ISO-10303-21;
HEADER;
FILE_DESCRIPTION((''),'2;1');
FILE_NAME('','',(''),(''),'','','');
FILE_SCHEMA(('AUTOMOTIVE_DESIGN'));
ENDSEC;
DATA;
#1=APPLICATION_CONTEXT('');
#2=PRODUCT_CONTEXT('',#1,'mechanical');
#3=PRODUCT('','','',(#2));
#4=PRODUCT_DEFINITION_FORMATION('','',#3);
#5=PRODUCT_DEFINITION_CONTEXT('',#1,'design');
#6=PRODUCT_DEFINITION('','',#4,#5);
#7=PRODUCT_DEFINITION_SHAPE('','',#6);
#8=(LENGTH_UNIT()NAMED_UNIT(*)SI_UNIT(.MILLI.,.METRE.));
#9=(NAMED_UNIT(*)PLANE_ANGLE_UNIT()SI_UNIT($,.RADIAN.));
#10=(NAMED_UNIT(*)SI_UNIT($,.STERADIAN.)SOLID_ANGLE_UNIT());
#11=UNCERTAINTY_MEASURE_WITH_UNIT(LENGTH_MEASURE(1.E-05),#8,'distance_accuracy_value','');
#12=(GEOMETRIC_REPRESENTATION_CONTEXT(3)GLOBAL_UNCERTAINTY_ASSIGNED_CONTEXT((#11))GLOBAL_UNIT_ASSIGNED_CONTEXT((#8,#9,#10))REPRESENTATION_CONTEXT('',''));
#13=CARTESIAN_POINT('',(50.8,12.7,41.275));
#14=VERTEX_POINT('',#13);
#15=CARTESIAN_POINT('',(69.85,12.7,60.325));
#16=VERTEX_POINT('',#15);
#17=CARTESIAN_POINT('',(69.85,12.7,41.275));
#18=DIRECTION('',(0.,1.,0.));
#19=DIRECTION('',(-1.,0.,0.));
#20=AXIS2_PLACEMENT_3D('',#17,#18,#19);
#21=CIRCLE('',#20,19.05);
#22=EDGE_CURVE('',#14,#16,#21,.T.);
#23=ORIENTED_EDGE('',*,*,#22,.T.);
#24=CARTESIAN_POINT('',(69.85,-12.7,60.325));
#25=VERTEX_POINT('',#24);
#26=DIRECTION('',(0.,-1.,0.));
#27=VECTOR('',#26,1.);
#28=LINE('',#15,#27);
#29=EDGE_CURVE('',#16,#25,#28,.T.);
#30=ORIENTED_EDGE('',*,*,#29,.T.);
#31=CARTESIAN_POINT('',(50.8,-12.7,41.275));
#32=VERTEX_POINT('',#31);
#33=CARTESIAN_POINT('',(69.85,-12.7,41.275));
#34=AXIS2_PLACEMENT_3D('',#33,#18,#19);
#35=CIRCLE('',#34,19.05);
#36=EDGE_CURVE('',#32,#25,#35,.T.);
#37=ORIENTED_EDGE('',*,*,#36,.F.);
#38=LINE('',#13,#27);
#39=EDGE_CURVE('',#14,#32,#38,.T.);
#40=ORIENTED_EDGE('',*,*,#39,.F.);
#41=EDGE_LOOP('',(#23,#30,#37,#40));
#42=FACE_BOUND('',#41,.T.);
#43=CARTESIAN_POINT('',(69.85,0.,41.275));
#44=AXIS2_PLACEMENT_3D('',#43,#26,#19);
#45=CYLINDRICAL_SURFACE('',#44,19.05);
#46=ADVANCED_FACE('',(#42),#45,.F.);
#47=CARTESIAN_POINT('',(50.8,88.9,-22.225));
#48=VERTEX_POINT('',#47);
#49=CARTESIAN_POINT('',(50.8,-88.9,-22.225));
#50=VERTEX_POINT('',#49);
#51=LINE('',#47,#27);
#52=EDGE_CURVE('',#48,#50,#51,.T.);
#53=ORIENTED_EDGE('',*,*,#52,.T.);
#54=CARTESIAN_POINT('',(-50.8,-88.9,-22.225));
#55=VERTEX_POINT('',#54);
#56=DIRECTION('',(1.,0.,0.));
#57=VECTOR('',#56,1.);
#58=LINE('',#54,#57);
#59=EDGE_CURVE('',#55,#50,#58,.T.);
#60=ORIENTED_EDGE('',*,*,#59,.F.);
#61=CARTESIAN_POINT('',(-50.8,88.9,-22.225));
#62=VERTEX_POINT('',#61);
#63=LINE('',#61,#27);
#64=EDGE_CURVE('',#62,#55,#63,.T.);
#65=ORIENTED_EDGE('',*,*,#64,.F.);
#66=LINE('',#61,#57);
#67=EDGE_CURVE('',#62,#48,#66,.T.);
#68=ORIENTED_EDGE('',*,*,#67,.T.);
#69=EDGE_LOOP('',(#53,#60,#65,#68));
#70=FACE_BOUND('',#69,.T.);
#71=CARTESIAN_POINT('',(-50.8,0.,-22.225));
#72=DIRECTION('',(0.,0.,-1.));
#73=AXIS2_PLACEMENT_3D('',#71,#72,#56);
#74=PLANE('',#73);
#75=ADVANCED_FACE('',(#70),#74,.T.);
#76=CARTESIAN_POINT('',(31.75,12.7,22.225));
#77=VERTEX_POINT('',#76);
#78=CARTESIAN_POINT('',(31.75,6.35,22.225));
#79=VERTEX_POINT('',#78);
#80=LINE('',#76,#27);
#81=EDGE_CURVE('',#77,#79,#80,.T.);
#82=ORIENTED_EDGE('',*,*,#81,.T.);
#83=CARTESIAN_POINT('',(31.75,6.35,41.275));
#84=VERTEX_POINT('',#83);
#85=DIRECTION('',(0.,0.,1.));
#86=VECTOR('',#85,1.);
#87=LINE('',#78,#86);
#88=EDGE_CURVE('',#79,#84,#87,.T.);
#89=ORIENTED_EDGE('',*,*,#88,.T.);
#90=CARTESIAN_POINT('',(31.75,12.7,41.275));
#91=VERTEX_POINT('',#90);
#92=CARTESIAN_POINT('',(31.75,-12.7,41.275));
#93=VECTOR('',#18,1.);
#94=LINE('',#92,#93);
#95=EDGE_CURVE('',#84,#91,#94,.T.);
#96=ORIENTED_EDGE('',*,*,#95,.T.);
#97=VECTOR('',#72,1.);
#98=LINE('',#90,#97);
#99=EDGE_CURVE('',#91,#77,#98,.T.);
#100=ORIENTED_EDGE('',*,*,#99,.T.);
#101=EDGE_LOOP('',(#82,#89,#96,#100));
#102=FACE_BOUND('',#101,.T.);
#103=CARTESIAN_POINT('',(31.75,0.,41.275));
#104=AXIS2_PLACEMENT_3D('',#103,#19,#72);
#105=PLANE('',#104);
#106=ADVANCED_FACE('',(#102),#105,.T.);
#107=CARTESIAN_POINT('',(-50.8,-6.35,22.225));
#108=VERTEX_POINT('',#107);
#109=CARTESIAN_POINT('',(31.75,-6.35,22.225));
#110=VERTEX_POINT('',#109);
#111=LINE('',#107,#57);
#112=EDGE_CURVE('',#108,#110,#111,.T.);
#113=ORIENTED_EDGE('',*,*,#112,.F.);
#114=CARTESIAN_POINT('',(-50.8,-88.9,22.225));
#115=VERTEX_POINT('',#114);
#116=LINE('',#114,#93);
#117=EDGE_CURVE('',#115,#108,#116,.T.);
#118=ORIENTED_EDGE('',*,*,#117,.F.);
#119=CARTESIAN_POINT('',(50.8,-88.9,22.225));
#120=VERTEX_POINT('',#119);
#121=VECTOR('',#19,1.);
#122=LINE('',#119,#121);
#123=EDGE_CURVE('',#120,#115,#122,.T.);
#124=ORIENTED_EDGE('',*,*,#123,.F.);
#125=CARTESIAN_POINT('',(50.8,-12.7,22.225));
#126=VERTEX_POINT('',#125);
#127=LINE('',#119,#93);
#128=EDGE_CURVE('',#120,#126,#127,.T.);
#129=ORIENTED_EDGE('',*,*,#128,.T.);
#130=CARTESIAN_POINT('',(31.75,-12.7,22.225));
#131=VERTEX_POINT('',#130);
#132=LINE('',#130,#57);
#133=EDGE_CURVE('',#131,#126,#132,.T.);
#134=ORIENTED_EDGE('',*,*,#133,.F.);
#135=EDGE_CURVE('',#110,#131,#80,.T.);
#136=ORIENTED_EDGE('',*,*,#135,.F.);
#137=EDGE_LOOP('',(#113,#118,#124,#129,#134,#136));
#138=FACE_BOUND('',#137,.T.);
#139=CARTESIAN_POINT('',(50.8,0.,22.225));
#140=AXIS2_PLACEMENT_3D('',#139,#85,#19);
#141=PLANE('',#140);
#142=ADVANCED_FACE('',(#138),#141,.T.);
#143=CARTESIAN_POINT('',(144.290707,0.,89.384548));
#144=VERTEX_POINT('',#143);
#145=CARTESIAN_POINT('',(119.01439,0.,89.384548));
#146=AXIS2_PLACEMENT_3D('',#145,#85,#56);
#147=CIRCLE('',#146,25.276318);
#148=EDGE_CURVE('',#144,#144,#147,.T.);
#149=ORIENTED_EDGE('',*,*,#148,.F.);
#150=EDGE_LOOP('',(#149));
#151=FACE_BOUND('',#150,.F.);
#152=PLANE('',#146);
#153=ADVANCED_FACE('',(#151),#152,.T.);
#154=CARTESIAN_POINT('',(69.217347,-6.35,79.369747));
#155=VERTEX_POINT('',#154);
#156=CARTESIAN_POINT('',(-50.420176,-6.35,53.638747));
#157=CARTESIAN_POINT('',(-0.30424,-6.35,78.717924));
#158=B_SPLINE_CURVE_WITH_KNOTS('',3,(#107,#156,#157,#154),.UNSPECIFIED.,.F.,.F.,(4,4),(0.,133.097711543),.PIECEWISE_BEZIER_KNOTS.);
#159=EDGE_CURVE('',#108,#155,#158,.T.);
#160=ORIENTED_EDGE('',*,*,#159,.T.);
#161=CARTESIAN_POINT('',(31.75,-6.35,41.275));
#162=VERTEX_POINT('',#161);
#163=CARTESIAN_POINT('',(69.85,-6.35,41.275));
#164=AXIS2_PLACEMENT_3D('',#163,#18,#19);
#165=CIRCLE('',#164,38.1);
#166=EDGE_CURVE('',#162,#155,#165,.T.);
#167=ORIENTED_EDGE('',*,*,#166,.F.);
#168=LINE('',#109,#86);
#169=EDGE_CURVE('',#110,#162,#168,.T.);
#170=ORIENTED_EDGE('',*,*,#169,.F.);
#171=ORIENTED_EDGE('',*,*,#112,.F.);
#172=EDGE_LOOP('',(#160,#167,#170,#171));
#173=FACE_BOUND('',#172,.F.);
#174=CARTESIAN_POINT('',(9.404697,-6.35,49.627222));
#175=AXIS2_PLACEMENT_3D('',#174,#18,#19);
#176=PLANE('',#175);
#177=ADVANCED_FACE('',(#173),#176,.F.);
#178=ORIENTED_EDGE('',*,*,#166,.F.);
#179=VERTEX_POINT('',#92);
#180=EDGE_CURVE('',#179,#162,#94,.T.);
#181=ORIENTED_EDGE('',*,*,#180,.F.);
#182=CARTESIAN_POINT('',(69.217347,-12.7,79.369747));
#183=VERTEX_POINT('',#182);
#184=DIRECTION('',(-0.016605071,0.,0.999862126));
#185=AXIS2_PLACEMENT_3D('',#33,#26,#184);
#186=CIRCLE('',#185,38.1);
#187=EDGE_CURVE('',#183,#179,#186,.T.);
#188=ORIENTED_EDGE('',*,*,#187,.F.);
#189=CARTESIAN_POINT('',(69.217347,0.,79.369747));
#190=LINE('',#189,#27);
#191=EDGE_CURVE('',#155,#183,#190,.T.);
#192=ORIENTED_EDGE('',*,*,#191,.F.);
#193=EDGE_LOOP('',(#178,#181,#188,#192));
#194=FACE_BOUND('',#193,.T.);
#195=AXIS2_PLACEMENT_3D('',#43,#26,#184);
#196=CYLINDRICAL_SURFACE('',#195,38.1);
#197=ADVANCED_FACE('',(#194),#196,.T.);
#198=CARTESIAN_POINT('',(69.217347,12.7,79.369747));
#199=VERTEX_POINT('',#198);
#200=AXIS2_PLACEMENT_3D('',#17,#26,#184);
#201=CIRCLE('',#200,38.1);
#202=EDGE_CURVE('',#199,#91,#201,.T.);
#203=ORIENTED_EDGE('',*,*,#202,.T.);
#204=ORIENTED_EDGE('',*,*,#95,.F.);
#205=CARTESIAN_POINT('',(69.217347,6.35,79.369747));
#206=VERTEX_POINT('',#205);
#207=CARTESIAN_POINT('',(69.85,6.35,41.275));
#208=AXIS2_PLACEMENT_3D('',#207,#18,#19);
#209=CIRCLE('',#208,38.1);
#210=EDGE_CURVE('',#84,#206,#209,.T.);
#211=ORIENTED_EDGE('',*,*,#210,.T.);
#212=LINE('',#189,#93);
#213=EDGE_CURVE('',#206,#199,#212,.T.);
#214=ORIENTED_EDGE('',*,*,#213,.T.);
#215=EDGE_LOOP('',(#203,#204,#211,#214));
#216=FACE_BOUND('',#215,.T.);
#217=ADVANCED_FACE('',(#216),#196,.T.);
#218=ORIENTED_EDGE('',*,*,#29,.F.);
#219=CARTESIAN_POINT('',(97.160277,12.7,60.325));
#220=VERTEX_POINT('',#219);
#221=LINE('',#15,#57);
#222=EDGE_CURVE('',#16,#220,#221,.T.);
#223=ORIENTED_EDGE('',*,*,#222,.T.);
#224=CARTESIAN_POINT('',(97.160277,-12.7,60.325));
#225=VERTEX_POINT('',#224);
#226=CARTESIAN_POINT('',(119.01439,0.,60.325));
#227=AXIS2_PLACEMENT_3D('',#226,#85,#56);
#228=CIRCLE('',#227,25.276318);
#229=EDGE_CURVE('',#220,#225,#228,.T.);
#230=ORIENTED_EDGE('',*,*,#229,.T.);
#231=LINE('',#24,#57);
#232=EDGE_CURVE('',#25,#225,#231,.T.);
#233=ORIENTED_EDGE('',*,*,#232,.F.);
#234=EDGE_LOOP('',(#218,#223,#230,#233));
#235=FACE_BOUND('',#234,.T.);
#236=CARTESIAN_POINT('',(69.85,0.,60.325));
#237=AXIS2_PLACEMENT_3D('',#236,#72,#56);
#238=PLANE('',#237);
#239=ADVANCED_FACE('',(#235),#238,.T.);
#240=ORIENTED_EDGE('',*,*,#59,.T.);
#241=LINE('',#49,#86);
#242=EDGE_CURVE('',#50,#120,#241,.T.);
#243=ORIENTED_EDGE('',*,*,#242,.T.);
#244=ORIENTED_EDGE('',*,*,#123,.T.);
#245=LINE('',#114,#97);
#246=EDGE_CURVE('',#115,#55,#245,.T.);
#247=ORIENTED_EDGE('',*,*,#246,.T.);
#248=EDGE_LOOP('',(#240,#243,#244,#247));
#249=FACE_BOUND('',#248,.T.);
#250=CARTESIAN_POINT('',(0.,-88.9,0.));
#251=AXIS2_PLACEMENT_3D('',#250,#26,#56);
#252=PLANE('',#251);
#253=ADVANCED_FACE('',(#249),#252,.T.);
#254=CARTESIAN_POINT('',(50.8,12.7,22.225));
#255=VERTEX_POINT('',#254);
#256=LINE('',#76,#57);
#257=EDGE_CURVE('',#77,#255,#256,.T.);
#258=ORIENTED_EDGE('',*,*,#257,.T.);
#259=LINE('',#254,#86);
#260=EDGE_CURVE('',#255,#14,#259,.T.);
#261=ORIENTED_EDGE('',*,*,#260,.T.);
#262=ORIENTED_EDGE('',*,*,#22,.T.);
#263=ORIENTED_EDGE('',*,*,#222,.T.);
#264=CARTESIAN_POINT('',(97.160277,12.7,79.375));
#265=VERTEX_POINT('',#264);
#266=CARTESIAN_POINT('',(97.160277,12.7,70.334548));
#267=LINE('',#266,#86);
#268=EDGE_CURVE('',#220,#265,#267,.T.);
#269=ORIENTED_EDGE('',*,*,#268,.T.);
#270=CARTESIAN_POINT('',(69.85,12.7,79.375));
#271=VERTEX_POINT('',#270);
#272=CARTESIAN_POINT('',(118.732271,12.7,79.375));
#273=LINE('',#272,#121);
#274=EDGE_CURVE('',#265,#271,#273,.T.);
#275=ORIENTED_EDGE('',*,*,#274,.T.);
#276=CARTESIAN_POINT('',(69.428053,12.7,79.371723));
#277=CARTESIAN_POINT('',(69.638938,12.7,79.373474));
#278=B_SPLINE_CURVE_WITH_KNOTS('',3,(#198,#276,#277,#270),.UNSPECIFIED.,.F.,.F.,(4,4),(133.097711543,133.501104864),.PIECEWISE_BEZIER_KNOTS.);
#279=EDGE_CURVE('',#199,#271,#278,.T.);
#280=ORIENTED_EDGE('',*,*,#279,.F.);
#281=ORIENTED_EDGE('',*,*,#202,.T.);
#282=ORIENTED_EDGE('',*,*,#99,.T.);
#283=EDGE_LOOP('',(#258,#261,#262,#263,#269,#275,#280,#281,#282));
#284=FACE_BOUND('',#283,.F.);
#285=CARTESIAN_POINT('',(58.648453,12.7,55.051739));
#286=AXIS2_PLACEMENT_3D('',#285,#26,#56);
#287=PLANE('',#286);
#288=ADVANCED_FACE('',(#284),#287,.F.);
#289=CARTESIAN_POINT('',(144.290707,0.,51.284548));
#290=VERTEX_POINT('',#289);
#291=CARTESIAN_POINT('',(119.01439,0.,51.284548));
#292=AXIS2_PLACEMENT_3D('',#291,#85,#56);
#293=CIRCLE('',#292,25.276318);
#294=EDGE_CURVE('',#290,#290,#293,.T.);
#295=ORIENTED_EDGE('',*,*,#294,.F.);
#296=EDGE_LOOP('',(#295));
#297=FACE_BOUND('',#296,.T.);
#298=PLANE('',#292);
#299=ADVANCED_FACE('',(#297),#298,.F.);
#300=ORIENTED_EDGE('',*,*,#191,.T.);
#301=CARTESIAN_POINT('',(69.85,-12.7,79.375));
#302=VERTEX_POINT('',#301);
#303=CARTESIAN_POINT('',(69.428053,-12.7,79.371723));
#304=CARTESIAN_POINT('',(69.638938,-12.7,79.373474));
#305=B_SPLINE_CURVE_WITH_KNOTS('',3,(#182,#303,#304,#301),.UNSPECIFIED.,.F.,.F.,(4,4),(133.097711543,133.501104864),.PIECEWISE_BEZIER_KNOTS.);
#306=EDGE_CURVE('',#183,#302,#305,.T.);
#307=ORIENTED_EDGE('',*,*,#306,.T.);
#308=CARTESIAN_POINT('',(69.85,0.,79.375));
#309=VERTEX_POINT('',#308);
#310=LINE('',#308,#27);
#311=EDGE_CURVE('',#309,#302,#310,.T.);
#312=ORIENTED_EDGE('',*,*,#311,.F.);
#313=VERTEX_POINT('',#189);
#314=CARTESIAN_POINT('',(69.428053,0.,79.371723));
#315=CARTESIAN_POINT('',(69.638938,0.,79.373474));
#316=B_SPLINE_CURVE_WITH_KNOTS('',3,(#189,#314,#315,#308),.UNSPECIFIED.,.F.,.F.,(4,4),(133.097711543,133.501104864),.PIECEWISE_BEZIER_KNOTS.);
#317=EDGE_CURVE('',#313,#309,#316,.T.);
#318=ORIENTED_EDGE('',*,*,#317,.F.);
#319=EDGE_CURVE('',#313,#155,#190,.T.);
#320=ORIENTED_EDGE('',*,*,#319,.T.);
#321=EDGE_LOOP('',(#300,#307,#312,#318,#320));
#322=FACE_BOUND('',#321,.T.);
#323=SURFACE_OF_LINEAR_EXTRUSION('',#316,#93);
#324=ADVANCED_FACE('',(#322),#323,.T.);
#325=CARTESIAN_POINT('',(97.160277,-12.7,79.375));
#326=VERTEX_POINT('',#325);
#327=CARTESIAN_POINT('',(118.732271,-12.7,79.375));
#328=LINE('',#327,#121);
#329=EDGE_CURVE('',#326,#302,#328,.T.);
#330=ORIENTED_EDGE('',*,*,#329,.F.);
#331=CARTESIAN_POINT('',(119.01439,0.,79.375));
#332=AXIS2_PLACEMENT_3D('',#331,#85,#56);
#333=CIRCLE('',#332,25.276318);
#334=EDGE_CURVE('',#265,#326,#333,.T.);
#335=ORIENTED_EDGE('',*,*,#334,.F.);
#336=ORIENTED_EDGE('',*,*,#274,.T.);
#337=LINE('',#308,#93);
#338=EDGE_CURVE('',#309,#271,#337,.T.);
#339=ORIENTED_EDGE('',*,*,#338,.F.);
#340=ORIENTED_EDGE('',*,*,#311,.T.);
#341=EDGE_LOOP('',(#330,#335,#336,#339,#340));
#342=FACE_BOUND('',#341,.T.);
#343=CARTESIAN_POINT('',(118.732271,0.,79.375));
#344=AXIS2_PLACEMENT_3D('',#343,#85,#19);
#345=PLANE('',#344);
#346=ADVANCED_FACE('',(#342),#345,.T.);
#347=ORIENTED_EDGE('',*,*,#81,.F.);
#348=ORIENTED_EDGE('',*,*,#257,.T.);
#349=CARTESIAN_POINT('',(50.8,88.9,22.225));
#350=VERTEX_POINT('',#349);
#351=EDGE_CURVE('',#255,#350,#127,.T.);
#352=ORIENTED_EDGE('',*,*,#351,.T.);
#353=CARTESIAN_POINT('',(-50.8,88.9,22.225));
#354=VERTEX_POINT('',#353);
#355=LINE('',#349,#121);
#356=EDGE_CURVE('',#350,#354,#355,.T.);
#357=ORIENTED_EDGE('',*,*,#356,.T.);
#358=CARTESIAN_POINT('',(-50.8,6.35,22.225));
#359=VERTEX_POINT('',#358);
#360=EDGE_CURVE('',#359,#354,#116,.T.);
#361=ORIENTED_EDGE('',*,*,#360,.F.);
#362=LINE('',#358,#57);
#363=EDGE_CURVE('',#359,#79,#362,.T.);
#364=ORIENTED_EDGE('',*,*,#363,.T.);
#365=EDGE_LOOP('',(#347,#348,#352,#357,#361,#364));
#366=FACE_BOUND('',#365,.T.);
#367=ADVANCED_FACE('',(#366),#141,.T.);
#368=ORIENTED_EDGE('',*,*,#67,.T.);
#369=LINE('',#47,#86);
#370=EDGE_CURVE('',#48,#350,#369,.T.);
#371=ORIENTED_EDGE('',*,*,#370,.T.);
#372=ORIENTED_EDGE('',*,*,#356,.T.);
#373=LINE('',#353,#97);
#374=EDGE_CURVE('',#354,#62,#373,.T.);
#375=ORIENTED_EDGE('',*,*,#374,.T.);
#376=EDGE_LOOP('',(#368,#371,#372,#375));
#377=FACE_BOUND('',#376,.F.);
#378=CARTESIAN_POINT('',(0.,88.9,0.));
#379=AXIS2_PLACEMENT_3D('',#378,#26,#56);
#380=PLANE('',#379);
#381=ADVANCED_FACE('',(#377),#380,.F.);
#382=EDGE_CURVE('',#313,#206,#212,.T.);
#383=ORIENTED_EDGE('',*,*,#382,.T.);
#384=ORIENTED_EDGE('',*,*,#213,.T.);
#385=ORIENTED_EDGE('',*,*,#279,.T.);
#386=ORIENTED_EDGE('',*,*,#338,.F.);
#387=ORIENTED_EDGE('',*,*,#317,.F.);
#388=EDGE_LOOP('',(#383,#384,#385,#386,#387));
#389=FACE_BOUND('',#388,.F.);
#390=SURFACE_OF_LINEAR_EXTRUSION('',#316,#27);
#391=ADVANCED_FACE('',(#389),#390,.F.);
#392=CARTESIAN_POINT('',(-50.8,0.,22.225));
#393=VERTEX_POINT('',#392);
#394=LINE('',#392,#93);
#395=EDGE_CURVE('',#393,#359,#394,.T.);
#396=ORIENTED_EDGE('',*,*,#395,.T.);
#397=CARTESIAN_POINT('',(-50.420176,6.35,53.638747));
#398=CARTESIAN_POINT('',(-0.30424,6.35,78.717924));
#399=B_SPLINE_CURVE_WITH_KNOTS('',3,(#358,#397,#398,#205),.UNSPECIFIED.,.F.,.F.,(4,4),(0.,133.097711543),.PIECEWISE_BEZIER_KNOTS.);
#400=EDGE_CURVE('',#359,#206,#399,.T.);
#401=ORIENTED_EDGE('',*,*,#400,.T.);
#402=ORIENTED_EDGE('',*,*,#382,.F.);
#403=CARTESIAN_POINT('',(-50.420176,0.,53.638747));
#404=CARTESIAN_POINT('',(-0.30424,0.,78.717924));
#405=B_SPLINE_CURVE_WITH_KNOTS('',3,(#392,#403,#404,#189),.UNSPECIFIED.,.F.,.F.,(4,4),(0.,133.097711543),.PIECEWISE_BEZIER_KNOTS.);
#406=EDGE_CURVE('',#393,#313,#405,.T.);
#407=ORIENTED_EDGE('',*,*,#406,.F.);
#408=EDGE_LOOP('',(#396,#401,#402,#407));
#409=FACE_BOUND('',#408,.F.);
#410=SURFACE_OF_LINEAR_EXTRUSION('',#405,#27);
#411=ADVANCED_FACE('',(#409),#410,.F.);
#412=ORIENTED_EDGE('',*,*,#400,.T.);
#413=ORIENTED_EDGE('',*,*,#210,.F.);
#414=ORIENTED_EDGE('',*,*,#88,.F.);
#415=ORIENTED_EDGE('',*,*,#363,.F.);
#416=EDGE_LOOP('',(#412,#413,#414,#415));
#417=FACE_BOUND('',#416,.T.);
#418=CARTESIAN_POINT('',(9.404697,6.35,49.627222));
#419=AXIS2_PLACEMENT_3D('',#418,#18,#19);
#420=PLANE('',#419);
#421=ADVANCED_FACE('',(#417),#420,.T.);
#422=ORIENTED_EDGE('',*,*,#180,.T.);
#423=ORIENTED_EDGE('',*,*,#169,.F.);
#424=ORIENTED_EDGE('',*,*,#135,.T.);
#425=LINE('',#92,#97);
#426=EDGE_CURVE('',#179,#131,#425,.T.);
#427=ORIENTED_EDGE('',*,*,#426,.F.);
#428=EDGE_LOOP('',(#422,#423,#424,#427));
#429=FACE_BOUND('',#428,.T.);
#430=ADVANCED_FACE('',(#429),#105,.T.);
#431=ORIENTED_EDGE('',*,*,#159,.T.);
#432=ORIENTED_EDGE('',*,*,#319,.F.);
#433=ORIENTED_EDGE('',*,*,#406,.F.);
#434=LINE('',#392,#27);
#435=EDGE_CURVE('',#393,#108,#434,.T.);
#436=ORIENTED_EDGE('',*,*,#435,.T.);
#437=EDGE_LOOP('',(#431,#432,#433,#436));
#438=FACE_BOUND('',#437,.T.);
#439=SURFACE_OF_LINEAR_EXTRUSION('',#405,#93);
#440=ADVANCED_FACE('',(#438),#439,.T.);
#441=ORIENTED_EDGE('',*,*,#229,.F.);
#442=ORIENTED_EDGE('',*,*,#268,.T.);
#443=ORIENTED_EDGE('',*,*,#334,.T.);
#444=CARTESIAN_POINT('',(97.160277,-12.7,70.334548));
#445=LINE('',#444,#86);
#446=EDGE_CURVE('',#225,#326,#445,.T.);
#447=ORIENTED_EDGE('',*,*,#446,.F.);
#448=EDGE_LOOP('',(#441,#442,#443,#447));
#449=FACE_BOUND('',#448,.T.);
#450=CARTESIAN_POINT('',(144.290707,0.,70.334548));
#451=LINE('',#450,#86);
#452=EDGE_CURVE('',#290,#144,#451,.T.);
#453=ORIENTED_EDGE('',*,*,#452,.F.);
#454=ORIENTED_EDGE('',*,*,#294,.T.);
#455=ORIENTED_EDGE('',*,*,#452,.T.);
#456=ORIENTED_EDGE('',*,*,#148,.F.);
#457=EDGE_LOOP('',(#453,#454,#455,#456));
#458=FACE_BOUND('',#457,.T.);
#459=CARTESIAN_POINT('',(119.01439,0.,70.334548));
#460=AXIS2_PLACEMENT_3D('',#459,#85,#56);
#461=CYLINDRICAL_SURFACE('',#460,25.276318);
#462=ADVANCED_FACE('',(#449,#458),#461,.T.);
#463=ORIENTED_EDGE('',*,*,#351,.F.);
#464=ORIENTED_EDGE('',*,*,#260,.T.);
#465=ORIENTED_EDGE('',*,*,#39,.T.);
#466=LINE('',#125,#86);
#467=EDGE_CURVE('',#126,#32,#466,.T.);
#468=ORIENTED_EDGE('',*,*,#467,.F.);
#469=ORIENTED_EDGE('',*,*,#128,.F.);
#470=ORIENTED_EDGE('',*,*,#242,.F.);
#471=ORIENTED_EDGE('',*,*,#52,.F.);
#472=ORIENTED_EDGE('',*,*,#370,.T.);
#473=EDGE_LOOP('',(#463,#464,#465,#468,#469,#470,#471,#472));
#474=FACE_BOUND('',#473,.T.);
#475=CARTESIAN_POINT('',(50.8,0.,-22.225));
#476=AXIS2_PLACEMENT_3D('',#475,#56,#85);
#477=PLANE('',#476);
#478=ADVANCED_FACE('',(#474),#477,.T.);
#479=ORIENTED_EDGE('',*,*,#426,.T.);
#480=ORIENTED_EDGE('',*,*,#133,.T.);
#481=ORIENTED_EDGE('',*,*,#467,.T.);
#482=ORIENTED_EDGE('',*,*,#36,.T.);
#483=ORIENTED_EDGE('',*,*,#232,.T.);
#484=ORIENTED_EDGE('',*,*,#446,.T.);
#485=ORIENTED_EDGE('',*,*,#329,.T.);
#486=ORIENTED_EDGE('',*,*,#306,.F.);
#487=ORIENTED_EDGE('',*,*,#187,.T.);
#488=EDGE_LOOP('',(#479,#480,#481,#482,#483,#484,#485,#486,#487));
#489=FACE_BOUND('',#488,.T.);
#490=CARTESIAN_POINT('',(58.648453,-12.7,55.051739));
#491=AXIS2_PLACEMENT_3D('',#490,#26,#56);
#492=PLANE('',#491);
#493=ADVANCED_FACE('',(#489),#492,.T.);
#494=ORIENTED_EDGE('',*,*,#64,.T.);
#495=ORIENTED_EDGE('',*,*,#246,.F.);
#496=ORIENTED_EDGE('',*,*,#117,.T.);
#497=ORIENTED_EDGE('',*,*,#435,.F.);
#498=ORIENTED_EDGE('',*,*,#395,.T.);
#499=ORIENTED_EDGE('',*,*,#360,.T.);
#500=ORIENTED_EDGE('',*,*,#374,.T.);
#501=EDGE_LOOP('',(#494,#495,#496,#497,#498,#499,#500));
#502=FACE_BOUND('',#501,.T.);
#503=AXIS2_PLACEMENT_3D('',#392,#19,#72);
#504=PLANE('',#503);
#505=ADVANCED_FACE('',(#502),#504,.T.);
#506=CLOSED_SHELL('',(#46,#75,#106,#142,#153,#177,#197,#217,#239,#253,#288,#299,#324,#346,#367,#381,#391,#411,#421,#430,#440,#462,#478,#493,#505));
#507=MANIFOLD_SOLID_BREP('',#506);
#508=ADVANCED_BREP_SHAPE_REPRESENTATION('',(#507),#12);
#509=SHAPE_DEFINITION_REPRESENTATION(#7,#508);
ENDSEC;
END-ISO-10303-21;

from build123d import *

# Parameters (mm, degrees)
F1_DEPTH = 88.9
F2_DEPTH = 6.35
F3_DEPTH = 12.7
F0_W     = 25.2763175084
F0_H     = 38.1


with BuildPart() as f1:
    # F0 (on Front) → F1 (new body, symmetric)
    with BuildSketch(Plane.XZ):
        Polygon((31.75, 22.225), (-50.8, 22.225), (-50.8, -22.225), (50.8, -22.225), (50.8, 22.225), align=None)
    extrude(amount=F1_DEPTH, both=True)

    # F0 (on Front) → F2 (join, symmetric)
    with BuildSketch(Plane.XZ):
        with BuildLine():
            add(Edge.make_bspline(
                [(-50.8, 22.225), (-50.420176295, 53.6387471007), (-0.3042402085, 78.7179242207), (69.217346781, 79.3697470119)],
                knots=[0, 0, 0, 0, 133.0977115432, 133.0977115432, 133.0977115432, 133.0977115432], degree=3))
            Line((-50.8, 22.225), (31.75, 22.225))
            Line((31.75, 22.225), (31.75, 41.275))
            ThreePointArc((31.75, 41.275), (42.6864758578, 67.9911553405), (69.217346781, 79.3697470119))
        make_face()
    extrude(amount=F2_DEPTH, both=True)

    # F0 (on Front) → F3 (join, symmetric)
    with BuildSketch(Plane.XZ):
        with BuildLine():
            Line((31.75, 41.275), (31.75, 22.225))
            Line((31.75, 22.225), (50.8, 22.225))
            Line((50.8, 22.225), (50.8, 41.275))
            ThreePointArc((50.8, 41.275), (56.3796158184, 54.7453841816), (69.85, 60.325))
            Line((69.85, 60.325), (93.4907073213, 60.325))
            Line((93.4907073213, 60.325), (93.4907073213, 79.375))
            Line((93.4907073213, 79.375), (69.85, 79.375))
            add(Edge.make_bspline(
                [(69.217346781, 79.3697470119), (69.4280532127, 79.3717225603), (69.6389379005, 79.3734737242), (69.85, 79.375)],
                knots=[133.0977115432, 133.0977115432, 133.0977115432, 133.0977115432, 133.5011048643, 133.5011048643, 133.5011048643, 133.5011048643], degree=3))
            ThreePointArc((69.217346781, 79.3697470119), (42.6864758578, 67.9911553405), (31.75, 41.275))
        make_face()
        Polygon((118.732270607, 79.375), (93.4907073213, 79.375), (93.4907073213, 60.325), (119.0067035424, 60.325), align=None)
    extrude(amount=F3_DEPTH, both=True)

    # F0 (on Front) → F4 (revolve)
    with BuildSketch(Plane.XZ):
        with Locations((131.6525485671, 70.3345479765)):
            Rectangle(F0_W, F0_H)
    revolve(axis=Axis((119.0143898129, 0, 70.3345479765), (0, 0, 1)))


solid = f1.part
